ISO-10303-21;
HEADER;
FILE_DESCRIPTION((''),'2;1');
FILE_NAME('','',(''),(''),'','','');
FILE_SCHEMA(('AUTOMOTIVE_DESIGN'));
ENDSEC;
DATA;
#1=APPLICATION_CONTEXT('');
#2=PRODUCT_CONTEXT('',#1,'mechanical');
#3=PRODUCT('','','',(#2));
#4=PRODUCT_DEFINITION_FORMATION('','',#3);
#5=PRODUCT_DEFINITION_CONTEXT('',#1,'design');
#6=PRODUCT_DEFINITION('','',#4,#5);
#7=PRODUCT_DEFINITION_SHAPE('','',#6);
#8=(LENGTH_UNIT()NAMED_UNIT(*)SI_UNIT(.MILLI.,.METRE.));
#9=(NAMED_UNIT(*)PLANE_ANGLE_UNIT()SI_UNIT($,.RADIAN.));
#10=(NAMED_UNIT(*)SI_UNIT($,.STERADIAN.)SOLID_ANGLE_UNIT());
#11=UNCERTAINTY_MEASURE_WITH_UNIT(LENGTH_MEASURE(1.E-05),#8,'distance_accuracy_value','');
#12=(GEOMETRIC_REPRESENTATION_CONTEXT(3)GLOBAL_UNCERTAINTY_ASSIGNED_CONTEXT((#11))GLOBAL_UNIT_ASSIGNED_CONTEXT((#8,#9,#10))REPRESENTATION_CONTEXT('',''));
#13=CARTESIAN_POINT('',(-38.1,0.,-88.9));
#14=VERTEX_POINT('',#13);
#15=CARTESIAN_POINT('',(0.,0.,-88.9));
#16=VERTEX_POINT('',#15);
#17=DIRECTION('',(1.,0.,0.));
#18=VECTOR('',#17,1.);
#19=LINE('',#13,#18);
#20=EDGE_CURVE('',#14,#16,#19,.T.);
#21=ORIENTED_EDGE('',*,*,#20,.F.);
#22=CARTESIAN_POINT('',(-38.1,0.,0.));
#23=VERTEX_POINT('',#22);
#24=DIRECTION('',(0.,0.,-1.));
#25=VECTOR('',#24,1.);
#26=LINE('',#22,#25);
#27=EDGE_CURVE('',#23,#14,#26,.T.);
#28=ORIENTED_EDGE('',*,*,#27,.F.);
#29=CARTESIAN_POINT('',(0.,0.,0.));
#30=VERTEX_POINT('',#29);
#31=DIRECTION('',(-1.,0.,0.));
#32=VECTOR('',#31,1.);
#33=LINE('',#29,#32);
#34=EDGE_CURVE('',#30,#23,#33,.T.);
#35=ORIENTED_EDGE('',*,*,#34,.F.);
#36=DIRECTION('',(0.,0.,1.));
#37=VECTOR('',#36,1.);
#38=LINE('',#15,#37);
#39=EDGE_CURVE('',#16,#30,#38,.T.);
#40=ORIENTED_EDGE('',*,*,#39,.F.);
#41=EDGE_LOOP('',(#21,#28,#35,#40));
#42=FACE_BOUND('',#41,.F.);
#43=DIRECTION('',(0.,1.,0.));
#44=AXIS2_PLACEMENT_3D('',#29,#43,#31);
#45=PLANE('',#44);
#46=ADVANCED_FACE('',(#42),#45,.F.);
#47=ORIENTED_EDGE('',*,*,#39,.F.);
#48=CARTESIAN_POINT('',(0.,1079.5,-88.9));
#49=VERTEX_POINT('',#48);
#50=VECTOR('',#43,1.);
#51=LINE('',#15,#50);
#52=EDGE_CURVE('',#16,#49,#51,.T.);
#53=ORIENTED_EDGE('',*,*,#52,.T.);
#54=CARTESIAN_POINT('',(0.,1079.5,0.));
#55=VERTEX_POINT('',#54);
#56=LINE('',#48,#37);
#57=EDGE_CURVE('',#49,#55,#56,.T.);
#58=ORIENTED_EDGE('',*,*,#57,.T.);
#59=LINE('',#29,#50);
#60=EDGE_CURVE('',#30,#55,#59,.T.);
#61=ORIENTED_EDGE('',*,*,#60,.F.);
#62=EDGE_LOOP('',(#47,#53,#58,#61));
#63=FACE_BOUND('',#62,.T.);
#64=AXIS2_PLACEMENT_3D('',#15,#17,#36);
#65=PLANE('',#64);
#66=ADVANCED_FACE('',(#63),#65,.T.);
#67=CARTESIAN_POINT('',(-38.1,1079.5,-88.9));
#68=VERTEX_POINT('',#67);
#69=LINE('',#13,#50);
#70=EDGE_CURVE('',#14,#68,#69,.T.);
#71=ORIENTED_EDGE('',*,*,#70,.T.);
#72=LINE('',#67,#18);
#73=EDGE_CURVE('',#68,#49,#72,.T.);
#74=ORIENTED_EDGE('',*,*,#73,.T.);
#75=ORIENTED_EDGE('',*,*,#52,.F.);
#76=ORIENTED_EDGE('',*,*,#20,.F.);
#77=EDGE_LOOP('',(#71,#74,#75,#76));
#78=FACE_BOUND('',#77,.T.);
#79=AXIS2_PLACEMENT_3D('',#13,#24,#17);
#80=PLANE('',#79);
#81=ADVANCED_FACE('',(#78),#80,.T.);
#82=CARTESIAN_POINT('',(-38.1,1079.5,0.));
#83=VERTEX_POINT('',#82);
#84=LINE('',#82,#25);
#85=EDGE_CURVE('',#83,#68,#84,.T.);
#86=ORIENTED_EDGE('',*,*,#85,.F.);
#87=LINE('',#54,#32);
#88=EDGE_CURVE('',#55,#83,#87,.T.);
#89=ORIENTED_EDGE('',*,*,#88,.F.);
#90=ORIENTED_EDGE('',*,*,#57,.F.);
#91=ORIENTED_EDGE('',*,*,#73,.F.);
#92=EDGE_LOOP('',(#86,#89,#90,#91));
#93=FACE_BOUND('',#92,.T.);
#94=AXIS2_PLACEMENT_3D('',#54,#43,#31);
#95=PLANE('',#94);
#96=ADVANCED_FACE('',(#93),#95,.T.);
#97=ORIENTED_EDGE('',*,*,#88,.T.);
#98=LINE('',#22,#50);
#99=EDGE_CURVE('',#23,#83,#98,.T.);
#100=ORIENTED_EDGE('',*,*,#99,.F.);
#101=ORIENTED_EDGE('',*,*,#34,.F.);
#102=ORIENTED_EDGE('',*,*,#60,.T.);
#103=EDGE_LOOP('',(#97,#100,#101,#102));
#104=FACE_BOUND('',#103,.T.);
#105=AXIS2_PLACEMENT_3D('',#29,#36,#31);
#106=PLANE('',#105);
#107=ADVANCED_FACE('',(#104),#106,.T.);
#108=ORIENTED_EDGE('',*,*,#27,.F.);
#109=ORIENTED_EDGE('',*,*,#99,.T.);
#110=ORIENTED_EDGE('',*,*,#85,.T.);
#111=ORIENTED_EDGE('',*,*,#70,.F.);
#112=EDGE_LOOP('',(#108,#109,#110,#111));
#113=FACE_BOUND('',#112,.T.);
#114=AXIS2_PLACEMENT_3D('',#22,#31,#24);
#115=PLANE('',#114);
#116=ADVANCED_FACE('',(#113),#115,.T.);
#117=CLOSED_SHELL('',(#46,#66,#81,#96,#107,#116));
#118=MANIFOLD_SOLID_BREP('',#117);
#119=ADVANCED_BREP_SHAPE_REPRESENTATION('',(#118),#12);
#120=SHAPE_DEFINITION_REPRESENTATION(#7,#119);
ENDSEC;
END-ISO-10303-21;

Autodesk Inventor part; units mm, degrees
ref_plane "YZ Plane" through (0, 0, 0) normal (1, 0, 0) x (0, 1, 0)
ref_plane "XZ Plane" through (0, 0, 0) normal (0, 1, 0) x (-1, 0, 0)
ref_plane "XY Plane" through (0, 0, 0) normal (0, 0, 1) x (1, 0, 0)
sketch "Sketch1" plane through (0, 0, 0) normal (0, 1, 0) x (-1, 0, 0)
  line L0 (0, 0) -> (38.1, 0)
  line L1 (38.1, 0) -> (38.1, -88.9)
  line L2 (38.1, -88.9) -> (0, -88.9)
  line L3 (0, -88.9) -> (0, 0)
  dimension "d0" = 88.9
  dimension "d1" = 38.1
extrude "Extrusion1" add sketch "Sketch1" along normal blind 1079.5
properties part number "Stud_With_Height_41.707_Inches" material "Wood (Birch)"
